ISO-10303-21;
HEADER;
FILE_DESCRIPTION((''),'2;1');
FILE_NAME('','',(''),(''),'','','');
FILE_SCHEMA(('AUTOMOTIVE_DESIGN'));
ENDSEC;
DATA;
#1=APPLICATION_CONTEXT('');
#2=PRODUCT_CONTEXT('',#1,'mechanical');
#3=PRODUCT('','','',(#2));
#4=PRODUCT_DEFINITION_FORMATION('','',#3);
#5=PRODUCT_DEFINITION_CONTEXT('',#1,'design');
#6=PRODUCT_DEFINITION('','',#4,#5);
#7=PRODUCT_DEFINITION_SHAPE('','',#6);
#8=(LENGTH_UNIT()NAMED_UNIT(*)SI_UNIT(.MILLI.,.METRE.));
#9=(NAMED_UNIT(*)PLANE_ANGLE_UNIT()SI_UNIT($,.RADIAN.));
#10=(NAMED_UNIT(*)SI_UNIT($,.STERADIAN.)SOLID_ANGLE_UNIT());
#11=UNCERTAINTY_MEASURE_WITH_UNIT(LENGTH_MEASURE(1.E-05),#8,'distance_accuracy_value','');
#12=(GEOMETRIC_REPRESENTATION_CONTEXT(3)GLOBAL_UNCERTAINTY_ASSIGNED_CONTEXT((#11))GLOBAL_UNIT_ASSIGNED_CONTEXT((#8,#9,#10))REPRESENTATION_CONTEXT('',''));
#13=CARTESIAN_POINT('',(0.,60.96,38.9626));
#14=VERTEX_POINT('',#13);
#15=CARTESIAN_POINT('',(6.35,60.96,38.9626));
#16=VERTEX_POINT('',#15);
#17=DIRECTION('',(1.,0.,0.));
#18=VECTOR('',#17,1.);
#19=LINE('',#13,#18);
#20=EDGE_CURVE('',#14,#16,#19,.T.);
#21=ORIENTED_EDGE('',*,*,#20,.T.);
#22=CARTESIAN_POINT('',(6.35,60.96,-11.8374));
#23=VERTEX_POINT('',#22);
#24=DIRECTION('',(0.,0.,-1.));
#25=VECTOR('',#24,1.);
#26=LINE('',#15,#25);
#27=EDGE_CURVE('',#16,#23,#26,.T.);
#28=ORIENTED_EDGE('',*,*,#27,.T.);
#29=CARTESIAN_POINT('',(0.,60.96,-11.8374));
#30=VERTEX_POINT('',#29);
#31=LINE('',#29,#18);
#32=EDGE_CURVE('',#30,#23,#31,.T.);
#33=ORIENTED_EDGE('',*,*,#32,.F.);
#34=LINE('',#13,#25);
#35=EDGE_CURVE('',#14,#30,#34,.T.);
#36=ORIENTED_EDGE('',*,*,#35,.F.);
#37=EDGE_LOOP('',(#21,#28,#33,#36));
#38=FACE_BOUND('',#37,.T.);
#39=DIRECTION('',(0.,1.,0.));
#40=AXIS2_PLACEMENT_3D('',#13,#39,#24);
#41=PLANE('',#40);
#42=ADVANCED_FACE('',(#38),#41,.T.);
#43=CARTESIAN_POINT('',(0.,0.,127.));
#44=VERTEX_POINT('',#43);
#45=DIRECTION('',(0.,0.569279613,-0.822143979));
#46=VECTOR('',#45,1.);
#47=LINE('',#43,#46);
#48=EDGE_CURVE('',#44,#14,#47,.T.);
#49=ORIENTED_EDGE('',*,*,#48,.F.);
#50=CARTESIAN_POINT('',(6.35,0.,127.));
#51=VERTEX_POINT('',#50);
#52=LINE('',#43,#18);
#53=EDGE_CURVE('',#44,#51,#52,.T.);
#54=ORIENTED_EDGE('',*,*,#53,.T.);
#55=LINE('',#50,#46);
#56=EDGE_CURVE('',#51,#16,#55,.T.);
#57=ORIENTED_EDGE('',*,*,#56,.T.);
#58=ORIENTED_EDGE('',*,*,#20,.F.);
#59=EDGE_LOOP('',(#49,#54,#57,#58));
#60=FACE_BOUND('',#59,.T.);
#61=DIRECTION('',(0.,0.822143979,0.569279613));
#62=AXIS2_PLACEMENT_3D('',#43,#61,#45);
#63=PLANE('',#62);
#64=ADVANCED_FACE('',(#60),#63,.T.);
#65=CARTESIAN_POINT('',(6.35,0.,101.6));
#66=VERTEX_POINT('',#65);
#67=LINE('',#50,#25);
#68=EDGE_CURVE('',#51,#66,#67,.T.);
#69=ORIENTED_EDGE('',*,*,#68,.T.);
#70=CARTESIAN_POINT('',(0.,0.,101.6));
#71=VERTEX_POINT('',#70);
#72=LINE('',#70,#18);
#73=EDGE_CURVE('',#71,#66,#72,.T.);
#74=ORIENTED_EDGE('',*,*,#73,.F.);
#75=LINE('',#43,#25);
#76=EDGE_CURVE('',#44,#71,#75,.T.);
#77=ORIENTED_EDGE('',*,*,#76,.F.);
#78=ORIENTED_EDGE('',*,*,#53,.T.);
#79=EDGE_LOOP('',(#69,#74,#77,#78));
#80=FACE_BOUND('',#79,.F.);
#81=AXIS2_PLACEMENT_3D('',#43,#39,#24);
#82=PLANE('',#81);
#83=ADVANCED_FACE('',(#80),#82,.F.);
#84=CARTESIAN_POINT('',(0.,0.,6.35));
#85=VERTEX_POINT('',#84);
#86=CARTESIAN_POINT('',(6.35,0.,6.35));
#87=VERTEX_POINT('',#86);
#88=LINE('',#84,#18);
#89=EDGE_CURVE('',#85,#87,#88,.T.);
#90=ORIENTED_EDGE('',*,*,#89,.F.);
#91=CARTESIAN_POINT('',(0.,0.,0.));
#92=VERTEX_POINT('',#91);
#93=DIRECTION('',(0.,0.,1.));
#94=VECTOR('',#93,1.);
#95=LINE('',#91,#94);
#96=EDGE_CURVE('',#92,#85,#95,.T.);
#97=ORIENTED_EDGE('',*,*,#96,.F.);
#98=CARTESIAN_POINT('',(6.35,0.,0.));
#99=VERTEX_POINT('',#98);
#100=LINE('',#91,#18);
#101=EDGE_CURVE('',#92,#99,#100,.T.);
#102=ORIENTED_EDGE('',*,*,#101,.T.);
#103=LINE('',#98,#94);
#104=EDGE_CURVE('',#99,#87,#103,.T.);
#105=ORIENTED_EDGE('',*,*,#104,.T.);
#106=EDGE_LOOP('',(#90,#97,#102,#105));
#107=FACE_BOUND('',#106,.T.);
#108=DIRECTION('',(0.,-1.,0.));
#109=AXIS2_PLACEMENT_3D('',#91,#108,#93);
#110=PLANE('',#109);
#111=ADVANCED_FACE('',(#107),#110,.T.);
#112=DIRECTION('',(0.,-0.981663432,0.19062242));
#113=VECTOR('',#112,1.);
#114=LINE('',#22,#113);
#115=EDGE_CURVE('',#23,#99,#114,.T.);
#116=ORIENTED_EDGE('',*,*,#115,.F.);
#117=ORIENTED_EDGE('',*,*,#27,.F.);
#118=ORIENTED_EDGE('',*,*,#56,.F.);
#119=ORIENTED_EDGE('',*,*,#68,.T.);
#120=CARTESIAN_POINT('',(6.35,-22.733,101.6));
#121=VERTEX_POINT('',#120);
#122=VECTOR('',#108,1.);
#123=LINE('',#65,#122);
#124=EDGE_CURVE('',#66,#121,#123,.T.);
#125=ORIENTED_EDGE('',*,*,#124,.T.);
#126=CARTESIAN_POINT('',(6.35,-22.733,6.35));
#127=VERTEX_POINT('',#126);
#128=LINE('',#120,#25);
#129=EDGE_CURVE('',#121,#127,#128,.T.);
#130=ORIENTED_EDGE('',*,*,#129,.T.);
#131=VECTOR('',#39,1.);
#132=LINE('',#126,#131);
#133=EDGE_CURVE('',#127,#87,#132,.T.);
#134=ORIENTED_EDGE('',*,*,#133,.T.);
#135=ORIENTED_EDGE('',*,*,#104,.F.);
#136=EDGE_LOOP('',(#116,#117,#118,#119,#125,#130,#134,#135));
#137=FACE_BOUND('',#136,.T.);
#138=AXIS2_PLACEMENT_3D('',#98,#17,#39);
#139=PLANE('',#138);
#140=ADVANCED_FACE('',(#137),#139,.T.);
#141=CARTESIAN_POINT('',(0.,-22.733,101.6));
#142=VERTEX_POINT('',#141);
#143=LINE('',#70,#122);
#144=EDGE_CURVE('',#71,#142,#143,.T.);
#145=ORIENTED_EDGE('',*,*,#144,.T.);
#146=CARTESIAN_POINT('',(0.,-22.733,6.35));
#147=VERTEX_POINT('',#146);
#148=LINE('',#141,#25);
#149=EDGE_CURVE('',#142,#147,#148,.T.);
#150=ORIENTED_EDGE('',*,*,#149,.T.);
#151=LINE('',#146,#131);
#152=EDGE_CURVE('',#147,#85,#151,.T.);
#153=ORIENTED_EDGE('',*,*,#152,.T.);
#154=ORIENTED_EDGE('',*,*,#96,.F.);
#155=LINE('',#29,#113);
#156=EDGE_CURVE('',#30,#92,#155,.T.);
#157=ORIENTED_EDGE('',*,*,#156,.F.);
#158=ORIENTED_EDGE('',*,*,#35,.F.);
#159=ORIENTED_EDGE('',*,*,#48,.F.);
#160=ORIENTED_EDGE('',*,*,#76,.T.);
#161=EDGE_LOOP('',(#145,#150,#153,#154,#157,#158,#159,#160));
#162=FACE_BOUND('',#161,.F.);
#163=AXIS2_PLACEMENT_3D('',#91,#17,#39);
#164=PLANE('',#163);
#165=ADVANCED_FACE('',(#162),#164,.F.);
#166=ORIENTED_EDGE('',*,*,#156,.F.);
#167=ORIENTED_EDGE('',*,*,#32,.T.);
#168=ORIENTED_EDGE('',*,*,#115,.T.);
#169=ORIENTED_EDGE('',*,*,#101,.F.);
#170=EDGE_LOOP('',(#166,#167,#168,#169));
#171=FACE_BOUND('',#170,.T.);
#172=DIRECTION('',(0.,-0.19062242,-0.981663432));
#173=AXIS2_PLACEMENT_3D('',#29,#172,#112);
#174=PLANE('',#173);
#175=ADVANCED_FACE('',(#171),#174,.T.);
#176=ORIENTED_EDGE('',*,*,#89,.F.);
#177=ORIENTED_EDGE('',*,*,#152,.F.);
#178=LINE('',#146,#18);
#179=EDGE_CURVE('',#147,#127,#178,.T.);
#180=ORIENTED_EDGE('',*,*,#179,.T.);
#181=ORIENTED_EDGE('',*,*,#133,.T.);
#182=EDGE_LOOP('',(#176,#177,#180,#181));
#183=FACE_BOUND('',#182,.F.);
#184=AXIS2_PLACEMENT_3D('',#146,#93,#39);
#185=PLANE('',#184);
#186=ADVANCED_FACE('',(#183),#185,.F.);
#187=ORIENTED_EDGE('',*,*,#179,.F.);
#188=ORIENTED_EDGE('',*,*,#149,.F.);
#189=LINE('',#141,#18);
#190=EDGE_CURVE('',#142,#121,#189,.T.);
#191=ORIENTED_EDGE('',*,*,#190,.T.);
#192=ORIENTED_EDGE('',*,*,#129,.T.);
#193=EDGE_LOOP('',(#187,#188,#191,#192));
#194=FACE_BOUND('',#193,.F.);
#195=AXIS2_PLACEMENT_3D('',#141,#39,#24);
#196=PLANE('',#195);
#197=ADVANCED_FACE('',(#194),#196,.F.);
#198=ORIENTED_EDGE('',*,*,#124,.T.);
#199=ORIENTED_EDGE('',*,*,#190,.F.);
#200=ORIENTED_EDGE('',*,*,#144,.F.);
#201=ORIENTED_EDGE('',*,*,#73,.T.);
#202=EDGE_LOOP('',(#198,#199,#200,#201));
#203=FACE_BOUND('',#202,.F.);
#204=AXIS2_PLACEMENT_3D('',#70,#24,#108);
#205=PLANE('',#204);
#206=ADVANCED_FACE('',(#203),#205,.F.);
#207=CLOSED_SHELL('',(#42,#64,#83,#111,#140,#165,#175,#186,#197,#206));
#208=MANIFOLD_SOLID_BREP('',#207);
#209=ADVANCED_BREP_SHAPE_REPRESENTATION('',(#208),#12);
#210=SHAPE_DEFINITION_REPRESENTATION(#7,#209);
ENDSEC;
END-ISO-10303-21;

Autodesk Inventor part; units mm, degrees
ref_plane "YZ Plane" through (0, 0, 0) normal (1, 0, 0) x (0, 1, 0)
ref_plane "XZ Plane" through (0, 0, 0) normal (0, 1, 0) x (-1, 0, 0)
ref_plane "XY Plane" through (0, 0, 0) normal (0, 0, 1) x (1, 0, 0)
sketch "Sketch1" plane through (0, 0, 0) normal (1, 0, 0) x (0, 1, 0)
  line L0 (0, 127) -> (60.96, 38.9626)
  line L1 (0, 127) -> (107.0827, 127) construction
  line L2 (60.96, 38.9626) -> (60.96, -11.8374)
  line L3 (60.96, -11.8374) -> (0, 0)
  line L4 (0, 127) -> (0, 101.6)
  line L5 (0, 101.6) -> (-22.733, 101.6)
  line L6 (-22.733, 101.6) -> (-22.733, 6.35)
  line L7 (-22.733, 6.35) -> (0, 6.35)
  line L8 (0, 0) -> (0, 6.35)
  line L9 (0, 101.6) -> (0, 127)
  dimension "d0" = 127
  dimension "d1" = 55.3
  dimension "d3" = 50.8
  dimension "d4" = 25.4
  dimension "d5" = 22.733
  dimension "d6" = 95.25
extrude "Extrusion1" add sketch "Sketch1" along normal blind 6.35
properties part number "Fin"
